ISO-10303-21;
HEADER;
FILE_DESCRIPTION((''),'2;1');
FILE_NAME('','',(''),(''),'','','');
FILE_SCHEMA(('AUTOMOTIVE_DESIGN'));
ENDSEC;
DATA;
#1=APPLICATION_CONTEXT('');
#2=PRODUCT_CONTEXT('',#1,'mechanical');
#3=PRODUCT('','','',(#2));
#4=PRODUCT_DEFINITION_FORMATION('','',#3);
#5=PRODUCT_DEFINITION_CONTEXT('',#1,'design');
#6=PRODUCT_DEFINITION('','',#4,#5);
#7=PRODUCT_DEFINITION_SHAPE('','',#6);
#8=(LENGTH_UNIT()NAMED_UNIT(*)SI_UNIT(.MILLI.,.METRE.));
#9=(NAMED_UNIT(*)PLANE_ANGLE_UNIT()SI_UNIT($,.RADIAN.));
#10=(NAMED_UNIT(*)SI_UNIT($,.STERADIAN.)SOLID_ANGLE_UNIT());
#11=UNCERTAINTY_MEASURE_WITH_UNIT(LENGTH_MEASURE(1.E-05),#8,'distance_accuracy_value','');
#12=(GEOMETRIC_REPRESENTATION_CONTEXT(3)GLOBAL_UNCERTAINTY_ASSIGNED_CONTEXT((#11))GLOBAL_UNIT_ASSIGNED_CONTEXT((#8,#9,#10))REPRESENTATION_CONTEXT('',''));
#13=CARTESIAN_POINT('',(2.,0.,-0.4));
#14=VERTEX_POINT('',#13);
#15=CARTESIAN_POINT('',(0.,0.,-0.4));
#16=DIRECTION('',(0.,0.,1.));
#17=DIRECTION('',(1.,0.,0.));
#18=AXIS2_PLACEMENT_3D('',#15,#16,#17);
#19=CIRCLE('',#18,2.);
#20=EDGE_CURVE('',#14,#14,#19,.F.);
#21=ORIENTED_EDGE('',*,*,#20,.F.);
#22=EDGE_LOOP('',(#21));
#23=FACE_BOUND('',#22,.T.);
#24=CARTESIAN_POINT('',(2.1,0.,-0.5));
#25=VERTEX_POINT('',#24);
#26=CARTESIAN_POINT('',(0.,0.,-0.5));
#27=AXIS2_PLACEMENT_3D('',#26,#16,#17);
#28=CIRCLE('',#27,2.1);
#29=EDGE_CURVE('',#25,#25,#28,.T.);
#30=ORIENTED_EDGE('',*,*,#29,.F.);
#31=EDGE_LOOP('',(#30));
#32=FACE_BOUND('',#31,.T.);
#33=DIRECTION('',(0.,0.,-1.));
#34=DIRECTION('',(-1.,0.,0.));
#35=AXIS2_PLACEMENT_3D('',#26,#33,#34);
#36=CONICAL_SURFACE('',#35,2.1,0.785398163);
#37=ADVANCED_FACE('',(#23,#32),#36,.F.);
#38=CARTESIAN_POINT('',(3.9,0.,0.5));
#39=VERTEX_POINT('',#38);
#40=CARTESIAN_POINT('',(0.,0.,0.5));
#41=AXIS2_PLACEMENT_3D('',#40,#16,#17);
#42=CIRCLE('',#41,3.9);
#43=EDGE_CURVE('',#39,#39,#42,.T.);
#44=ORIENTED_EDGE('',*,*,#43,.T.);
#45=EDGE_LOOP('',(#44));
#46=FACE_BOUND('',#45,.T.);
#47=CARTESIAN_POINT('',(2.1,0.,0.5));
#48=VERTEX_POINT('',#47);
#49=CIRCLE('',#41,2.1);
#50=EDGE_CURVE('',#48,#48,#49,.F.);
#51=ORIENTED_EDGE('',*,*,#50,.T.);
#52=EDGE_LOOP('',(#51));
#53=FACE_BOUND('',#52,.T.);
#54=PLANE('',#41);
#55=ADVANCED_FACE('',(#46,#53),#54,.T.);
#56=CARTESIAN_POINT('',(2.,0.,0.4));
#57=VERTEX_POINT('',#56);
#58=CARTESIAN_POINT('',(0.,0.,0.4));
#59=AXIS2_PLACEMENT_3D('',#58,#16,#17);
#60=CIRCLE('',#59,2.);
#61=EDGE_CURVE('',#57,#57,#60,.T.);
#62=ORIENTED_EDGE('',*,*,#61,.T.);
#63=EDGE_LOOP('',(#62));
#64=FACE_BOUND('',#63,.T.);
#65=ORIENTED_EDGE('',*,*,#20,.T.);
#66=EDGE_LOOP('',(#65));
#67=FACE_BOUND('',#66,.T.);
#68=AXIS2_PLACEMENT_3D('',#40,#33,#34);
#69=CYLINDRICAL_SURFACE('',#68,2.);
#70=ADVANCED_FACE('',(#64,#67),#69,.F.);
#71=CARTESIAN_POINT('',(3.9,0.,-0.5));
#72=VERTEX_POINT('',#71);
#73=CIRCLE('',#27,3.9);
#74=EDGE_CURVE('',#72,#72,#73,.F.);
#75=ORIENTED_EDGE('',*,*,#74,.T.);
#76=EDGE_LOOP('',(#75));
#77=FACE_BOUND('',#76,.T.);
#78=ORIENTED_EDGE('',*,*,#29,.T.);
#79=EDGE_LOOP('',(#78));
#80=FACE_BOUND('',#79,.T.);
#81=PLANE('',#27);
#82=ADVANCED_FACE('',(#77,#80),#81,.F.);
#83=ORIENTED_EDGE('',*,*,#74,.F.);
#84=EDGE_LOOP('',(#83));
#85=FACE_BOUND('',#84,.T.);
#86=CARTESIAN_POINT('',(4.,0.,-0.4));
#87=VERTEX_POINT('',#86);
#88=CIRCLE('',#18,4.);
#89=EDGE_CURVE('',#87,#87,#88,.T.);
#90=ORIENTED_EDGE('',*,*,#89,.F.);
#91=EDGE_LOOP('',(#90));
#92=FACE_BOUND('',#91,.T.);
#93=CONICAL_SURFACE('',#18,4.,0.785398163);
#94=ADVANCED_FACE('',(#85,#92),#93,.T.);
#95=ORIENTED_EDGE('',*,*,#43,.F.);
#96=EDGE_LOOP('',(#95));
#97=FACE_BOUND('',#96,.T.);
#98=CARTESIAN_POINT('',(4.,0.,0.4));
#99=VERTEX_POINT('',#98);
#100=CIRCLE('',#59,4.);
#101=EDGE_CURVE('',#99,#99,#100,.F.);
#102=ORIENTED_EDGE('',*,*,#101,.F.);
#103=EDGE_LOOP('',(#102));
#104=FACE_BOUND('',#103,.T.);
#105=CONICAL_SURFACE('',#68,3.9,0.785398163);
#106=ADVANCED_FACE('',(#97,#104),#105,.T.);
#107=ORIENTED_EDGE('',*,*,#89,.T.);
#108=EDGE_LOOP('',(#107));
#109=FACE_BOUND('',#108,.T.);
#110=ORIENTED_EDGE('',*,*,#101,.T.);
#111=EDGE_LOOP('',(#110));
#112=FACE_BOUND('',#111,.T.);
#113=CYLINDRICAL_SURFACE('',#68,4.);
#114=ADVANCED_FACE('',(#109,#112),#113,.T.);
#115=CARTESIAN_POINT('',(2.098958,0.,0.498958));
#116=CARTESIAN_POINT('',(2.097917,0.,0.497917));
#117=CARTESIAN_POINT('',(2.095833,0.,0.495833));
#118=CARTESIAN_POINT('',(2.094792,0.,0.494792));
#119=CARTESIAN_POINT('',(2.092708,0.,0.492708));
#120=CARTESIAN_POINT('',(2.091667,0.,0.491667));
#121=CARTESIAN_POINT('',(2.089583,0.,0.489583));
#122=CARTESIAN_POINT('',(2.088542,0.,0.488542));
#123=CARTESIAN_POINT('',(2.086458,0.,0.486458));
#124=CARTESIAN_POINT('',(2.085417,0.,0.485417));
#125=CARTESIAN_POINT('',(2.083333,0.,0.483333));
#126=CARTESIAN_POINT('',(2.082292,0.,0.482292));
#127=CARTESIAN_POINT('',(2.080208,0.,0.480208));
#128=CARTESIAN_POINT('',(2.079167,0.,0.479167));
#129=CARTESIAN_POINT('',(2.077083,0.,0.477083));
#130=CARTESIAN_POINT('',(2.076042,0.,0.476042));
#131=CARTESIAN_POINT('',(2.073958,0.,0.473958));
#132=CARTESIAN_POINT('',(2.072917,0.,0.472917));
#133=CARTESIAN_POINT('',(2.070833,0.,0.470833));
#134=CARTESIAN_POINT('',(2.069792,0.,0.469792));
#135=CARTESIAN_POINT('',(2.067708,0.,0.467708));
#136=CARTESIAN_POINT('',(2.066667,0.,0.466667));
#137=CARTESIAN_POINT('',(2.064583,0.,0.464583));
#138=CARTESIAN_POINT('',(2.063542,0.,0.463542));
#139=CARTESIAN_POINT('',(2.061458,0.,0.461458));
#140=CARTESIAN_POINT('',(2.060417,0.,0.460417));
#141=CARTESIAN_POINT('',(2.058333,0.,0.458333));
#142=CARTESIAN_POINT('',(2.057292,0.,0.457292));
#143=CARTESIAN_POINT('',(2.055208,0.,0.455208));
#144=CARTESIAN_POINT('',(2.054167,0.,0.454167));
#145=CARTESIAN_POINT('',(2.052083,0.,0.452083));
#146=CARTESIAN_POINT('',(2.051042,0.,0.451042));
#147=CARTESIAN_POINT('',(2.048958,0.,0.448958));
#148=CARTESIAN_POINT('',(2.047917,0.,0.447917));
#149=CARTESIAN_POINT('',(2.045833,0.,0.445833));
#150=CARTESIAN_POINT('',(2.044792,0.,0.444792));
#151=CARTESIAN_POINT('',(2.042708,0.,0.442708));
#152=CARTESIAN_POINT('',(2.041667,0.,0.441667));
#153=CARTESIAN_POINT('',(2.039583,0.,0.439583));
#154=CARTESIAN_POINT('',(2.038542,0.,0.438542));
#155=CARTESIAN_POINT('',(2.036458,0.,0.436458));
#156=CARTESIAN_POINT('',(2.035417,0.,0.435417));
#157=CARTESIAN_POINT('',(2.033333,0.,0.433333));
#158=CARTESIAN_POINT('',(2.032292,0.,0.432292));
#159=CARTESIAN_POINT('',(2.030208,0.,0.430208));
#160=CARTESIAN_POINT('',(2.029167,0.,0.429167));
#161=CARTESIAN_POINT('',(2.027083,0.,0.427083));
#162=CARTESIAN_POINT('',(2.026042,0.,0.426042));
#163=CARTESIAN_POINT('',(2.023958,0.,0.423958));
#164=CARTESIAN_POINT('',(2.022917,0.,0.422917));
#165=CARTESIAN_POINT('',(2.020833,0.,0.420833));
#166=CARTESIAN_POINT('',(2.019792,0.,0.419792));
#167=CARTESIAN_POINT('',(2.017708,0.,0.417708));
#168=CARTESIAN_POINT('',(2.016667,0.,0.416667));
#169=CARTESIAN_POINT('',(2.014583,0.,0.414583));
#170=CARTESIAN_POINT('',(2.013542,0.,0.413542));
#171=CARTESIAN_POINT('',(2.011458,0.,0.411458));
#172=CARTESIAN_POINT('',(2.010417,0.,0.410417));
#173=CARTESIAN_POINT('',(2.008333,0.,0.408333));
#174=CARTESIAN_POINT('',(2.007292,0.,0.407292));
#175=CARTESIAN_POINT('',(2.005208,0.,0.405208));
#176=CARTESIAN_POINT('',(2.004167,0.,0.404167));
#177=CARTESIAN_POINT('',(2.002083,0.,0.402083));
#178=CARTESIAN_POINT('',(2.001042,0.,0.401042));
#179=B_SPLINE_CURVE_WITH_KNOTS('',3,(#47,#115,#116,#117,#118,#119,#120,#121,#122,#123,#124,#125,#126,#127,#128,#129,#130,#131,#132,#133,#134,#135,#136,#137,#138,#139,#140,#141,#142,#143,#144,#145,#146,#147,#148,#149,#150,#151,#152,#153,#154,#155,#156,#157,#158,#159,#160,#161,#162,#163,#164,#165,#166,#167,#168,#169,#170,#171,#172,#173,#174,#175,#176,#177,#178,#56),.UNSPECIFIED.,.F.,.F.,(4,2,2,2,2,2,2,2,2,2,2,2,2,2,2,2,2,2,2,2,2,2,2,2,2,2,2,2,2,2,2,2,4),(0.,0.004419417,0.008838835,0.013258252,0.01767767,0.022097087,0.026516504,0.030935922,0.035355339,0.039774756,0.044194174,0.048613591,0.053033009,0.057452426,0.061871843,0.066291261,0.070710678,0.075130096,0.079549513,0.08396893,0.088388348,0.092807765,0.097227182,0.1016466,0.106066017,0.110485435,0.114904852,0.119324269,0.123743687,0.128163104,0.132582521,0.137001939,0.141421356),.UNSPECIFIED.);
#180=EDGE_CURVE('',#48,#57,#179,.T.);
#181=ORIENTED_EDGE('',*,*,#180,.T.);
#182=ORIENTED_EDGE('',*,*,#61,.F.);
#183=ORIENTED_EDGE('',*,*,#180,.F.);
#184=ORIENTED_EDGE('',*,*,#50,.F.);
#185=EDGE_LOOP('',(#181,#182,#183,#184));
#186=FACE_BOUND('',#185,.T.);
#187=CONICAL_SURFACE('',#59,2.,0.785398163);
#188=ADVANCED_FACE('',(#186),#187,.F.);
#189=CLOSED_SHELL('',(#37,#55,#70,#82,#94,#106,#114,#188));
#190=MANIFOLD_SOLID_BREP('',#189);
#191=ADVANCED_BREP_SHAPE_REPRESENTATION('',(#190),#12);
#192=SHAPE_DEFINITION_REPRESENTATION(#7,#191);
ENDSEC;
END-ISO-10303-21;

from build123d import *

# Parameters (mm, degrees)
SKETCH_1_R      = 4
SKETCH_1_R_2    = 2
EXTRUDE_1_DEPTH = 0.5
CHAMFER_1_SIZE  = 0.1


with BuildPart() as part:
    # 草图1 → 凸台-拉伸1 (new, symmetric)
    with BuildSketch(Plane.XY):
        Circle(SKETCH_1_R)
        Circle(SKETCH_1_R_2, mode=Mode.SUBTRACT)
    extrude(amount=EXTRUDE_1_DEPTH, both=True)

    # 倒角1
    chamfer_1_edges = [part.edges().sort_by_distance(p)[0] for p in [
        (-4, 0, -0.5),
        (-4, 0, 0.5),
        (-2, 0, -0.5),
        (-2, 0, 0.5),
    ]]
    chamfer(chamfer_1_edges, length=CHAMFER_1_SIZE)


solid = part.part
